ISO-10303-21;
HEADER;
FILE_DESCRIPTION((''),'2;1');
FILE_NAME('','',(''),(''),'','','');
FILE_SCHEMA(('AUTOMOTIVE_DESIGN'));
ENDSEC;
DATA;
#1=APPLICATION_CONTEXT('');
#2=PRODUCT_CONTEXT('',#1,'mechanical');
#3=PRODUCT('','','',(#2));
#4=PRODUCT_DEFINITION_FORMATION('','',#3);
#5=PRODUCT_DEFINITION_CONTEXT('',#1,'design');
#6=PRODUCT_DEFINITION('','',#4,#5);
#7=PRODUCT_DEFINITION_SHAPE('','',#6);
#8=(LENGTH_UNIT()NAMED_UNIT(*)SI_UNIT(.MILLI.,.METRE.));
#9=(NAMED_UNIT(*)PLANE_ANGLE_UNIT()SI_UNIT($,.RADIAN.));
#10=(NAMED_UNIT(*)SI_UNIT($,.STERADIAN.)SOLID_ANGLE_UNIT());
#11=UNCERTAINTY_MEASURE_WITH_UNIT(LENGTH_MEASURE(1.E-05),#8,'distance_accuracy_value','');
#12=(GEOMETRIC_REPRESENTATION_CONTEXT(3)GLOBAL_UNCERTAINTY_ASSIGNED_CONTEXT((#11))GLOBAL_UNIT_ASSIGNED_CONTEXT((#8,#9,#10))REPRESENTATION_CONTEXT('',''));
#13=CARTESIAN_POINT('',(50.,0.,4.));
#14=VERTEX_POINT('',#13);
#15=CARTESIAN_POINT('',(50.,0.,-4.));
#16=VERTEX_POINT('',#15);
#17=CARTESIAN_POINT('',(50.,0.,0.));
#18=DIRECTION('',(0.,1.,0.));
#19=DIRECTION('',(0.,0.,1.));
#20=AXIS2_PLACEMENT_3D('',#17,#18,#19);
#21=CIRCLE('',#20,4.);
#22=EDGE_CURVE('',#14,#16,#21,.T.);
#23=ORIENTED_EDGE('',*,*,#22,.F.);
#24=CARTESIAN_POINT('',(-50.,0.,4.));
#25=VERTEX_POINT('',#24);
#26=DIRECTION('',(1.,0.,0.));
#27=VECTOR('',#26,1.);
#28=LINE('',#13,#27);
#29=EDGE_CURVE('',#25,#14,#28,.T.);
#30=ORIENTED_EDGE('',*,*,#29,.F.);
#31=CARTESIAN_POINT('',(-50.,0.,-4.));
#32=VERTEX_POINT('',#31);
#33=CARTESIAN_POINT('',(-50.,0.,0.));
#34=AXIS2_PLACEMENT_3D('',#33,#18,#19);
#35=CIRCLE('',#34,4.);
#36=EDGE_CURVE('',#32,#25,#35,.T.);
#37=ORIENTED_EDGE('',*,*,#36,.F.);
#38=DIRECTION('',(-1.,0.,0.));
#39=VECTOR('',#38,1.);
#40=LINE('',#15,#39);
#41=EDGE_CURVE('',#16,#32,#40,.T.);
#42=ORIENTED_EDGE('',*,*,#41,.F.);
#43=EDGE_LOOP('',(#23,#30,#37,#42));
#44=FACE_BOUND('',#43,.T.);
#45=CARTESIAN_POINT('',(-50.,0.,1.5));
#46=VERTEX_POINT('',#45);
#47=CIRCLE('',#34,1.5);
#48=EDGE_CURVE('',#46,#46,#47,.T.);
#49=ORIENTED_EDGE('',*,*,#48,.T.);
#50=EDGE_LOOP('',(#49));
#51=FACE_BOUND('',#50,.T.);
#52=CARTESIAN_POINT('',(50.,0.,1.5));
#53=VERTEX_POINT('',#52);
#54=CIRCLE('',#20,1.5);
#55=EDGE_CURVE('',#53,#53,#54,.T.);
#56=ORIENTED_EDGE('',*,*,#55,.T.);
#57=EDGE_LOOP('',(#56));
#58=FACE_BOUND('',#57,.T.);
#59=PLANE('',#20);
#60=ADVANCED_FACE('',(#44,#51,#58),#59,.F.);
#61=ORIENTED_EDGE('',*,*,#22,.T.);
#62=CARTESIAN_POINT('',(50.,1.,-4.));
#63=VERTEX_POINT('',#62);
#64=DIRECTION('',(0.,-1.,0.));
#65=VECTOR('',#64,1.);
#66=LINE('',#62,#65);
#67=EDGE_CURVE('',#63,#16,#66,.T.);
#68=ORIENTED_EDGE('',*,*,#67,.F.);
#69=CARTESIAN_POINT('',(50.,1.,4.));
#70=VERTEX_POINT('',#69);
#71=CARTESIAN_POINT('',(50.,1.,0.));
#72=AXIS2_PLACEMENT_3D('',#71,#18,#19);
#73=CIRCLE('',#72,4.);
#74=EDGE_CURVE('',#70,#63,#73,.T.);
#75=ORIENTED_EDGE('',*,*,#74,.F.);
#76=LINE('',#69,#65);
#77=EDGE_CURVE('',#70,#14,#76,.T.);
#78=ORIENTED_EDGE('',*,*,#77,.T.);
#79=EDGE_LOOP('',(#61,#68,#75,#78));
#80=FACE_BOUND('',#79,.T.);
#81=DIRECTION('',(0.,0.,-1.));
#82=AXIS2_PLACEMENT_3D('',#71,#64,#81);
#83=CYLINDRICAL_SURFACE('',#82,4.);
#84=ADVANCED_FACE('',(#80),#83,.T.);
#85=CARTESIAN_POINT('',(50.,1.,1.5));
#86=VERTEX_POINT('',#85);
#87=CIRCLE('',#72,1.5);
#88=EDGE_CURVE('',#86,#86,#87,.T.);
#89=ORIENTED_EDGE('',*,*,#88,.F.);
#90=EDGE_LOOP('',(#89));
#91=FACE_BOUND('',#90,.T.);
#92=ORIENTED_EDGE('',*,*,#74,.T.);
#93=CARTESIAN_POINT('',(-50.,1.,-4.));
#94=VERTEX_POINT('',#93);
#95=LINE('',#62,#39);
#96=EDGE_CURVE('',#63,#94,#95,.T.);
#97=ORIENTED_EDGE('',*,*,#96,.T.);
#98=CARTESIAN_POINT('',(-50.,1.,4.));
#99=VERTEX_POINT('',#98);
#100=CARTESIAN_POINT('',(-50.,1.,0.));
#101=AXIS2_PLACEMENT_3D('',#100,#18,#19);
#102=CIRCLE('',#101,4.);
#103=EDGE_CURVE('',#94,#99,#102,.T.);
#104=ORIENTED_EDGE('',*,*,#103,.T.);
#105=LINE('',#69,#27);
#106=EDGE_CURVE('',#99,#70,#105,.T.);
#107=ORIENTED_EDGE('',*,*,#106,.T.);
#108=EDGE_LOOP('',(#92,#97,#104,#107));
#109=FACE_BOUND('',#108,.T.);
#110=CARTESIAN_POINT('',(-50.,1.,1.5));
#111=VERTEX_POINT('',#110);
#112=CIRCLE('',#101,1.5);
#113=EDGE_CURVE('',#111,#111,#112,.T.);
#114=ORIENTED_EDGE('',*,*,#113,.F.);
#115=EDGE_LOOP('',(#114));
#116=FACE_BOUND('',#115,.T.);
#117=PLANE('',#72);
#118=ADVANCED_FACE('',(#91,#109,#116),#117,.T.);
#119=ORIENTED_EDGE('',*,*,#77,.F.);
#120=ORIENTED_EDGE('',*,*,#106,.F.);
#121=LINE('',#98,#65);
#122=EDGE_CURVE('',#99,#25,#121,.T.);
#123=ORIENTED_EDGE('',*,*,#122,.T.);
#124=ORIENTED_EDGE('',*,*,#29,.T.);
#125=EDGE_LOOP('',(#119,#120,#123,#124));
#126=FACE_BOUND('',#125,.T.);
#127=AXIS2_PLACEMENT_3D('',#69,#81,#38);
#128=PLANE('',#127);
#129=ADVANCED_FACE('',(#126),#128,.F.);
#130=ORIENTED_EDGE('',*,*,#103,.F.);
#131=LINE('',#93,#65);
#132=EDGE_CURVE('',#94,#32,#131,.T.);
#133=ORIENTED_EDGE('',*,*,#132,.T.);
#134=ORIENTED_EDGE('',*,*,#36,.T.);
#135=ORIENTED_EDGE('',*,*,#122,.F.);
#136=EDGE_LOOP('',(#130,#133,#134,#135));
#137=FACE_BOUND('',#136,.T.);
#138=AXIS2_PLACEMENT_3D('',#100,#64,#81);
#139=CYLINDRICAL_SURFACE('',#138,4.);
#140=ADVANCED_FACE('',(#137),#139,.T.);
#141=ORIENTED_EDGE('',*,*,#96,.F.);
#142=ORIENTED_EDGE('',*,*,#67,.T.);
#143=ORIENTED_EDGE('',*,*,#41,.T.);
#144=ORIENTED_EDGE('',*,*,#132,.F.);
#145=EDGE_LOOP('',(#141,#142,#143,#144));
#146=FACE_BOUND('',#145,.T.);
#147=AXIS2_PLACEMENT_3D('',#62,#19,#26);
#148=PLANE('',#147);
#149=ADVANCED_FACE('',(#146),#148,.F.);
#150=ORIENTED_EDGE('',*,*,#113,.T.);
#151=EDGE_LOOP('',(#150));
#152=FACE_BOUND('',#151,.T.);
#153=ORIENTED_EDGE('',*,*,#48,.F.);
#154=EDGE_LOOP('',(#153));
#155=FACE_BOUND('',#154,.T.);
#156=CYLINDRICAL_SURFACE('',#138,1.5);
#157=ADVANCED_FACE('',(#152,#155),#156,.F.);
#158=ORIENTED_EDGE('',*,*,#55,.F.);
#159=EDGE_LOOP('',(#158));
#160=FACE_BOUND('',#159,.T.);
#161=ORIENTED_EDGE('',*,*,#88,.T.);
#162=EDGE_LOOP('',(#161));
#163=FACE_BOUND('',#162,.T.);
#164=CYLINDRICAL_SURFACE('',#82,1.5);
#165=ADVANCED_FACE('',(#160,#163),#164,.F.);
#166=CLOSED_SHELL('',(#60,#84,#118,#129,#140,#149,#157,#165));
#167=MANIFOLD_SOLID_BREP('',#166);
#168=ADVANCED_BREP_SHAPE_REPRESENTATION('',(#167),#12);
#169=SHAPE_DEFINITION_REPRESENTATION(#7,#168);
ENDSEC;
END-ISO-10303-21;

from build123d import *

# Parameters (mm, degrees)
SKETCH1_R           = 1.5
BOSS_EXTRUDE1_DEPTH = 1


with BuildPart() as part:
    # Sketch1 → Boss-Extrude1 (new body)
    with BuildSketch(Plane(origin=(0, 0, 0), x_dir=(1, 0, 0), z_dir=(0, 1, 0))):
        with BuildLine():
            Line((50, -4), (-50, -4))
            ThreePointArc((-50, -4), (-54, 0), (-50, 4))
            Line((-50, 4), (50, 4))
            ThreePointArc((50, 4), (54, 0), (50, -4))
        make_face()
        with Locations(Location((-50, 0, 0), (0, 0, 270))):
            Circle(SKETCH1_R, mode=Mode.SUBTRACT)
        with Locations(Location((50, 0, 0), (0, 0, 270))):
            Circle(SKETCH1_R, mode=Mode.SUBTRACT)
    extrude(amount=BOSS_EXTRUDE1_DEPTH)


solid = part.part
